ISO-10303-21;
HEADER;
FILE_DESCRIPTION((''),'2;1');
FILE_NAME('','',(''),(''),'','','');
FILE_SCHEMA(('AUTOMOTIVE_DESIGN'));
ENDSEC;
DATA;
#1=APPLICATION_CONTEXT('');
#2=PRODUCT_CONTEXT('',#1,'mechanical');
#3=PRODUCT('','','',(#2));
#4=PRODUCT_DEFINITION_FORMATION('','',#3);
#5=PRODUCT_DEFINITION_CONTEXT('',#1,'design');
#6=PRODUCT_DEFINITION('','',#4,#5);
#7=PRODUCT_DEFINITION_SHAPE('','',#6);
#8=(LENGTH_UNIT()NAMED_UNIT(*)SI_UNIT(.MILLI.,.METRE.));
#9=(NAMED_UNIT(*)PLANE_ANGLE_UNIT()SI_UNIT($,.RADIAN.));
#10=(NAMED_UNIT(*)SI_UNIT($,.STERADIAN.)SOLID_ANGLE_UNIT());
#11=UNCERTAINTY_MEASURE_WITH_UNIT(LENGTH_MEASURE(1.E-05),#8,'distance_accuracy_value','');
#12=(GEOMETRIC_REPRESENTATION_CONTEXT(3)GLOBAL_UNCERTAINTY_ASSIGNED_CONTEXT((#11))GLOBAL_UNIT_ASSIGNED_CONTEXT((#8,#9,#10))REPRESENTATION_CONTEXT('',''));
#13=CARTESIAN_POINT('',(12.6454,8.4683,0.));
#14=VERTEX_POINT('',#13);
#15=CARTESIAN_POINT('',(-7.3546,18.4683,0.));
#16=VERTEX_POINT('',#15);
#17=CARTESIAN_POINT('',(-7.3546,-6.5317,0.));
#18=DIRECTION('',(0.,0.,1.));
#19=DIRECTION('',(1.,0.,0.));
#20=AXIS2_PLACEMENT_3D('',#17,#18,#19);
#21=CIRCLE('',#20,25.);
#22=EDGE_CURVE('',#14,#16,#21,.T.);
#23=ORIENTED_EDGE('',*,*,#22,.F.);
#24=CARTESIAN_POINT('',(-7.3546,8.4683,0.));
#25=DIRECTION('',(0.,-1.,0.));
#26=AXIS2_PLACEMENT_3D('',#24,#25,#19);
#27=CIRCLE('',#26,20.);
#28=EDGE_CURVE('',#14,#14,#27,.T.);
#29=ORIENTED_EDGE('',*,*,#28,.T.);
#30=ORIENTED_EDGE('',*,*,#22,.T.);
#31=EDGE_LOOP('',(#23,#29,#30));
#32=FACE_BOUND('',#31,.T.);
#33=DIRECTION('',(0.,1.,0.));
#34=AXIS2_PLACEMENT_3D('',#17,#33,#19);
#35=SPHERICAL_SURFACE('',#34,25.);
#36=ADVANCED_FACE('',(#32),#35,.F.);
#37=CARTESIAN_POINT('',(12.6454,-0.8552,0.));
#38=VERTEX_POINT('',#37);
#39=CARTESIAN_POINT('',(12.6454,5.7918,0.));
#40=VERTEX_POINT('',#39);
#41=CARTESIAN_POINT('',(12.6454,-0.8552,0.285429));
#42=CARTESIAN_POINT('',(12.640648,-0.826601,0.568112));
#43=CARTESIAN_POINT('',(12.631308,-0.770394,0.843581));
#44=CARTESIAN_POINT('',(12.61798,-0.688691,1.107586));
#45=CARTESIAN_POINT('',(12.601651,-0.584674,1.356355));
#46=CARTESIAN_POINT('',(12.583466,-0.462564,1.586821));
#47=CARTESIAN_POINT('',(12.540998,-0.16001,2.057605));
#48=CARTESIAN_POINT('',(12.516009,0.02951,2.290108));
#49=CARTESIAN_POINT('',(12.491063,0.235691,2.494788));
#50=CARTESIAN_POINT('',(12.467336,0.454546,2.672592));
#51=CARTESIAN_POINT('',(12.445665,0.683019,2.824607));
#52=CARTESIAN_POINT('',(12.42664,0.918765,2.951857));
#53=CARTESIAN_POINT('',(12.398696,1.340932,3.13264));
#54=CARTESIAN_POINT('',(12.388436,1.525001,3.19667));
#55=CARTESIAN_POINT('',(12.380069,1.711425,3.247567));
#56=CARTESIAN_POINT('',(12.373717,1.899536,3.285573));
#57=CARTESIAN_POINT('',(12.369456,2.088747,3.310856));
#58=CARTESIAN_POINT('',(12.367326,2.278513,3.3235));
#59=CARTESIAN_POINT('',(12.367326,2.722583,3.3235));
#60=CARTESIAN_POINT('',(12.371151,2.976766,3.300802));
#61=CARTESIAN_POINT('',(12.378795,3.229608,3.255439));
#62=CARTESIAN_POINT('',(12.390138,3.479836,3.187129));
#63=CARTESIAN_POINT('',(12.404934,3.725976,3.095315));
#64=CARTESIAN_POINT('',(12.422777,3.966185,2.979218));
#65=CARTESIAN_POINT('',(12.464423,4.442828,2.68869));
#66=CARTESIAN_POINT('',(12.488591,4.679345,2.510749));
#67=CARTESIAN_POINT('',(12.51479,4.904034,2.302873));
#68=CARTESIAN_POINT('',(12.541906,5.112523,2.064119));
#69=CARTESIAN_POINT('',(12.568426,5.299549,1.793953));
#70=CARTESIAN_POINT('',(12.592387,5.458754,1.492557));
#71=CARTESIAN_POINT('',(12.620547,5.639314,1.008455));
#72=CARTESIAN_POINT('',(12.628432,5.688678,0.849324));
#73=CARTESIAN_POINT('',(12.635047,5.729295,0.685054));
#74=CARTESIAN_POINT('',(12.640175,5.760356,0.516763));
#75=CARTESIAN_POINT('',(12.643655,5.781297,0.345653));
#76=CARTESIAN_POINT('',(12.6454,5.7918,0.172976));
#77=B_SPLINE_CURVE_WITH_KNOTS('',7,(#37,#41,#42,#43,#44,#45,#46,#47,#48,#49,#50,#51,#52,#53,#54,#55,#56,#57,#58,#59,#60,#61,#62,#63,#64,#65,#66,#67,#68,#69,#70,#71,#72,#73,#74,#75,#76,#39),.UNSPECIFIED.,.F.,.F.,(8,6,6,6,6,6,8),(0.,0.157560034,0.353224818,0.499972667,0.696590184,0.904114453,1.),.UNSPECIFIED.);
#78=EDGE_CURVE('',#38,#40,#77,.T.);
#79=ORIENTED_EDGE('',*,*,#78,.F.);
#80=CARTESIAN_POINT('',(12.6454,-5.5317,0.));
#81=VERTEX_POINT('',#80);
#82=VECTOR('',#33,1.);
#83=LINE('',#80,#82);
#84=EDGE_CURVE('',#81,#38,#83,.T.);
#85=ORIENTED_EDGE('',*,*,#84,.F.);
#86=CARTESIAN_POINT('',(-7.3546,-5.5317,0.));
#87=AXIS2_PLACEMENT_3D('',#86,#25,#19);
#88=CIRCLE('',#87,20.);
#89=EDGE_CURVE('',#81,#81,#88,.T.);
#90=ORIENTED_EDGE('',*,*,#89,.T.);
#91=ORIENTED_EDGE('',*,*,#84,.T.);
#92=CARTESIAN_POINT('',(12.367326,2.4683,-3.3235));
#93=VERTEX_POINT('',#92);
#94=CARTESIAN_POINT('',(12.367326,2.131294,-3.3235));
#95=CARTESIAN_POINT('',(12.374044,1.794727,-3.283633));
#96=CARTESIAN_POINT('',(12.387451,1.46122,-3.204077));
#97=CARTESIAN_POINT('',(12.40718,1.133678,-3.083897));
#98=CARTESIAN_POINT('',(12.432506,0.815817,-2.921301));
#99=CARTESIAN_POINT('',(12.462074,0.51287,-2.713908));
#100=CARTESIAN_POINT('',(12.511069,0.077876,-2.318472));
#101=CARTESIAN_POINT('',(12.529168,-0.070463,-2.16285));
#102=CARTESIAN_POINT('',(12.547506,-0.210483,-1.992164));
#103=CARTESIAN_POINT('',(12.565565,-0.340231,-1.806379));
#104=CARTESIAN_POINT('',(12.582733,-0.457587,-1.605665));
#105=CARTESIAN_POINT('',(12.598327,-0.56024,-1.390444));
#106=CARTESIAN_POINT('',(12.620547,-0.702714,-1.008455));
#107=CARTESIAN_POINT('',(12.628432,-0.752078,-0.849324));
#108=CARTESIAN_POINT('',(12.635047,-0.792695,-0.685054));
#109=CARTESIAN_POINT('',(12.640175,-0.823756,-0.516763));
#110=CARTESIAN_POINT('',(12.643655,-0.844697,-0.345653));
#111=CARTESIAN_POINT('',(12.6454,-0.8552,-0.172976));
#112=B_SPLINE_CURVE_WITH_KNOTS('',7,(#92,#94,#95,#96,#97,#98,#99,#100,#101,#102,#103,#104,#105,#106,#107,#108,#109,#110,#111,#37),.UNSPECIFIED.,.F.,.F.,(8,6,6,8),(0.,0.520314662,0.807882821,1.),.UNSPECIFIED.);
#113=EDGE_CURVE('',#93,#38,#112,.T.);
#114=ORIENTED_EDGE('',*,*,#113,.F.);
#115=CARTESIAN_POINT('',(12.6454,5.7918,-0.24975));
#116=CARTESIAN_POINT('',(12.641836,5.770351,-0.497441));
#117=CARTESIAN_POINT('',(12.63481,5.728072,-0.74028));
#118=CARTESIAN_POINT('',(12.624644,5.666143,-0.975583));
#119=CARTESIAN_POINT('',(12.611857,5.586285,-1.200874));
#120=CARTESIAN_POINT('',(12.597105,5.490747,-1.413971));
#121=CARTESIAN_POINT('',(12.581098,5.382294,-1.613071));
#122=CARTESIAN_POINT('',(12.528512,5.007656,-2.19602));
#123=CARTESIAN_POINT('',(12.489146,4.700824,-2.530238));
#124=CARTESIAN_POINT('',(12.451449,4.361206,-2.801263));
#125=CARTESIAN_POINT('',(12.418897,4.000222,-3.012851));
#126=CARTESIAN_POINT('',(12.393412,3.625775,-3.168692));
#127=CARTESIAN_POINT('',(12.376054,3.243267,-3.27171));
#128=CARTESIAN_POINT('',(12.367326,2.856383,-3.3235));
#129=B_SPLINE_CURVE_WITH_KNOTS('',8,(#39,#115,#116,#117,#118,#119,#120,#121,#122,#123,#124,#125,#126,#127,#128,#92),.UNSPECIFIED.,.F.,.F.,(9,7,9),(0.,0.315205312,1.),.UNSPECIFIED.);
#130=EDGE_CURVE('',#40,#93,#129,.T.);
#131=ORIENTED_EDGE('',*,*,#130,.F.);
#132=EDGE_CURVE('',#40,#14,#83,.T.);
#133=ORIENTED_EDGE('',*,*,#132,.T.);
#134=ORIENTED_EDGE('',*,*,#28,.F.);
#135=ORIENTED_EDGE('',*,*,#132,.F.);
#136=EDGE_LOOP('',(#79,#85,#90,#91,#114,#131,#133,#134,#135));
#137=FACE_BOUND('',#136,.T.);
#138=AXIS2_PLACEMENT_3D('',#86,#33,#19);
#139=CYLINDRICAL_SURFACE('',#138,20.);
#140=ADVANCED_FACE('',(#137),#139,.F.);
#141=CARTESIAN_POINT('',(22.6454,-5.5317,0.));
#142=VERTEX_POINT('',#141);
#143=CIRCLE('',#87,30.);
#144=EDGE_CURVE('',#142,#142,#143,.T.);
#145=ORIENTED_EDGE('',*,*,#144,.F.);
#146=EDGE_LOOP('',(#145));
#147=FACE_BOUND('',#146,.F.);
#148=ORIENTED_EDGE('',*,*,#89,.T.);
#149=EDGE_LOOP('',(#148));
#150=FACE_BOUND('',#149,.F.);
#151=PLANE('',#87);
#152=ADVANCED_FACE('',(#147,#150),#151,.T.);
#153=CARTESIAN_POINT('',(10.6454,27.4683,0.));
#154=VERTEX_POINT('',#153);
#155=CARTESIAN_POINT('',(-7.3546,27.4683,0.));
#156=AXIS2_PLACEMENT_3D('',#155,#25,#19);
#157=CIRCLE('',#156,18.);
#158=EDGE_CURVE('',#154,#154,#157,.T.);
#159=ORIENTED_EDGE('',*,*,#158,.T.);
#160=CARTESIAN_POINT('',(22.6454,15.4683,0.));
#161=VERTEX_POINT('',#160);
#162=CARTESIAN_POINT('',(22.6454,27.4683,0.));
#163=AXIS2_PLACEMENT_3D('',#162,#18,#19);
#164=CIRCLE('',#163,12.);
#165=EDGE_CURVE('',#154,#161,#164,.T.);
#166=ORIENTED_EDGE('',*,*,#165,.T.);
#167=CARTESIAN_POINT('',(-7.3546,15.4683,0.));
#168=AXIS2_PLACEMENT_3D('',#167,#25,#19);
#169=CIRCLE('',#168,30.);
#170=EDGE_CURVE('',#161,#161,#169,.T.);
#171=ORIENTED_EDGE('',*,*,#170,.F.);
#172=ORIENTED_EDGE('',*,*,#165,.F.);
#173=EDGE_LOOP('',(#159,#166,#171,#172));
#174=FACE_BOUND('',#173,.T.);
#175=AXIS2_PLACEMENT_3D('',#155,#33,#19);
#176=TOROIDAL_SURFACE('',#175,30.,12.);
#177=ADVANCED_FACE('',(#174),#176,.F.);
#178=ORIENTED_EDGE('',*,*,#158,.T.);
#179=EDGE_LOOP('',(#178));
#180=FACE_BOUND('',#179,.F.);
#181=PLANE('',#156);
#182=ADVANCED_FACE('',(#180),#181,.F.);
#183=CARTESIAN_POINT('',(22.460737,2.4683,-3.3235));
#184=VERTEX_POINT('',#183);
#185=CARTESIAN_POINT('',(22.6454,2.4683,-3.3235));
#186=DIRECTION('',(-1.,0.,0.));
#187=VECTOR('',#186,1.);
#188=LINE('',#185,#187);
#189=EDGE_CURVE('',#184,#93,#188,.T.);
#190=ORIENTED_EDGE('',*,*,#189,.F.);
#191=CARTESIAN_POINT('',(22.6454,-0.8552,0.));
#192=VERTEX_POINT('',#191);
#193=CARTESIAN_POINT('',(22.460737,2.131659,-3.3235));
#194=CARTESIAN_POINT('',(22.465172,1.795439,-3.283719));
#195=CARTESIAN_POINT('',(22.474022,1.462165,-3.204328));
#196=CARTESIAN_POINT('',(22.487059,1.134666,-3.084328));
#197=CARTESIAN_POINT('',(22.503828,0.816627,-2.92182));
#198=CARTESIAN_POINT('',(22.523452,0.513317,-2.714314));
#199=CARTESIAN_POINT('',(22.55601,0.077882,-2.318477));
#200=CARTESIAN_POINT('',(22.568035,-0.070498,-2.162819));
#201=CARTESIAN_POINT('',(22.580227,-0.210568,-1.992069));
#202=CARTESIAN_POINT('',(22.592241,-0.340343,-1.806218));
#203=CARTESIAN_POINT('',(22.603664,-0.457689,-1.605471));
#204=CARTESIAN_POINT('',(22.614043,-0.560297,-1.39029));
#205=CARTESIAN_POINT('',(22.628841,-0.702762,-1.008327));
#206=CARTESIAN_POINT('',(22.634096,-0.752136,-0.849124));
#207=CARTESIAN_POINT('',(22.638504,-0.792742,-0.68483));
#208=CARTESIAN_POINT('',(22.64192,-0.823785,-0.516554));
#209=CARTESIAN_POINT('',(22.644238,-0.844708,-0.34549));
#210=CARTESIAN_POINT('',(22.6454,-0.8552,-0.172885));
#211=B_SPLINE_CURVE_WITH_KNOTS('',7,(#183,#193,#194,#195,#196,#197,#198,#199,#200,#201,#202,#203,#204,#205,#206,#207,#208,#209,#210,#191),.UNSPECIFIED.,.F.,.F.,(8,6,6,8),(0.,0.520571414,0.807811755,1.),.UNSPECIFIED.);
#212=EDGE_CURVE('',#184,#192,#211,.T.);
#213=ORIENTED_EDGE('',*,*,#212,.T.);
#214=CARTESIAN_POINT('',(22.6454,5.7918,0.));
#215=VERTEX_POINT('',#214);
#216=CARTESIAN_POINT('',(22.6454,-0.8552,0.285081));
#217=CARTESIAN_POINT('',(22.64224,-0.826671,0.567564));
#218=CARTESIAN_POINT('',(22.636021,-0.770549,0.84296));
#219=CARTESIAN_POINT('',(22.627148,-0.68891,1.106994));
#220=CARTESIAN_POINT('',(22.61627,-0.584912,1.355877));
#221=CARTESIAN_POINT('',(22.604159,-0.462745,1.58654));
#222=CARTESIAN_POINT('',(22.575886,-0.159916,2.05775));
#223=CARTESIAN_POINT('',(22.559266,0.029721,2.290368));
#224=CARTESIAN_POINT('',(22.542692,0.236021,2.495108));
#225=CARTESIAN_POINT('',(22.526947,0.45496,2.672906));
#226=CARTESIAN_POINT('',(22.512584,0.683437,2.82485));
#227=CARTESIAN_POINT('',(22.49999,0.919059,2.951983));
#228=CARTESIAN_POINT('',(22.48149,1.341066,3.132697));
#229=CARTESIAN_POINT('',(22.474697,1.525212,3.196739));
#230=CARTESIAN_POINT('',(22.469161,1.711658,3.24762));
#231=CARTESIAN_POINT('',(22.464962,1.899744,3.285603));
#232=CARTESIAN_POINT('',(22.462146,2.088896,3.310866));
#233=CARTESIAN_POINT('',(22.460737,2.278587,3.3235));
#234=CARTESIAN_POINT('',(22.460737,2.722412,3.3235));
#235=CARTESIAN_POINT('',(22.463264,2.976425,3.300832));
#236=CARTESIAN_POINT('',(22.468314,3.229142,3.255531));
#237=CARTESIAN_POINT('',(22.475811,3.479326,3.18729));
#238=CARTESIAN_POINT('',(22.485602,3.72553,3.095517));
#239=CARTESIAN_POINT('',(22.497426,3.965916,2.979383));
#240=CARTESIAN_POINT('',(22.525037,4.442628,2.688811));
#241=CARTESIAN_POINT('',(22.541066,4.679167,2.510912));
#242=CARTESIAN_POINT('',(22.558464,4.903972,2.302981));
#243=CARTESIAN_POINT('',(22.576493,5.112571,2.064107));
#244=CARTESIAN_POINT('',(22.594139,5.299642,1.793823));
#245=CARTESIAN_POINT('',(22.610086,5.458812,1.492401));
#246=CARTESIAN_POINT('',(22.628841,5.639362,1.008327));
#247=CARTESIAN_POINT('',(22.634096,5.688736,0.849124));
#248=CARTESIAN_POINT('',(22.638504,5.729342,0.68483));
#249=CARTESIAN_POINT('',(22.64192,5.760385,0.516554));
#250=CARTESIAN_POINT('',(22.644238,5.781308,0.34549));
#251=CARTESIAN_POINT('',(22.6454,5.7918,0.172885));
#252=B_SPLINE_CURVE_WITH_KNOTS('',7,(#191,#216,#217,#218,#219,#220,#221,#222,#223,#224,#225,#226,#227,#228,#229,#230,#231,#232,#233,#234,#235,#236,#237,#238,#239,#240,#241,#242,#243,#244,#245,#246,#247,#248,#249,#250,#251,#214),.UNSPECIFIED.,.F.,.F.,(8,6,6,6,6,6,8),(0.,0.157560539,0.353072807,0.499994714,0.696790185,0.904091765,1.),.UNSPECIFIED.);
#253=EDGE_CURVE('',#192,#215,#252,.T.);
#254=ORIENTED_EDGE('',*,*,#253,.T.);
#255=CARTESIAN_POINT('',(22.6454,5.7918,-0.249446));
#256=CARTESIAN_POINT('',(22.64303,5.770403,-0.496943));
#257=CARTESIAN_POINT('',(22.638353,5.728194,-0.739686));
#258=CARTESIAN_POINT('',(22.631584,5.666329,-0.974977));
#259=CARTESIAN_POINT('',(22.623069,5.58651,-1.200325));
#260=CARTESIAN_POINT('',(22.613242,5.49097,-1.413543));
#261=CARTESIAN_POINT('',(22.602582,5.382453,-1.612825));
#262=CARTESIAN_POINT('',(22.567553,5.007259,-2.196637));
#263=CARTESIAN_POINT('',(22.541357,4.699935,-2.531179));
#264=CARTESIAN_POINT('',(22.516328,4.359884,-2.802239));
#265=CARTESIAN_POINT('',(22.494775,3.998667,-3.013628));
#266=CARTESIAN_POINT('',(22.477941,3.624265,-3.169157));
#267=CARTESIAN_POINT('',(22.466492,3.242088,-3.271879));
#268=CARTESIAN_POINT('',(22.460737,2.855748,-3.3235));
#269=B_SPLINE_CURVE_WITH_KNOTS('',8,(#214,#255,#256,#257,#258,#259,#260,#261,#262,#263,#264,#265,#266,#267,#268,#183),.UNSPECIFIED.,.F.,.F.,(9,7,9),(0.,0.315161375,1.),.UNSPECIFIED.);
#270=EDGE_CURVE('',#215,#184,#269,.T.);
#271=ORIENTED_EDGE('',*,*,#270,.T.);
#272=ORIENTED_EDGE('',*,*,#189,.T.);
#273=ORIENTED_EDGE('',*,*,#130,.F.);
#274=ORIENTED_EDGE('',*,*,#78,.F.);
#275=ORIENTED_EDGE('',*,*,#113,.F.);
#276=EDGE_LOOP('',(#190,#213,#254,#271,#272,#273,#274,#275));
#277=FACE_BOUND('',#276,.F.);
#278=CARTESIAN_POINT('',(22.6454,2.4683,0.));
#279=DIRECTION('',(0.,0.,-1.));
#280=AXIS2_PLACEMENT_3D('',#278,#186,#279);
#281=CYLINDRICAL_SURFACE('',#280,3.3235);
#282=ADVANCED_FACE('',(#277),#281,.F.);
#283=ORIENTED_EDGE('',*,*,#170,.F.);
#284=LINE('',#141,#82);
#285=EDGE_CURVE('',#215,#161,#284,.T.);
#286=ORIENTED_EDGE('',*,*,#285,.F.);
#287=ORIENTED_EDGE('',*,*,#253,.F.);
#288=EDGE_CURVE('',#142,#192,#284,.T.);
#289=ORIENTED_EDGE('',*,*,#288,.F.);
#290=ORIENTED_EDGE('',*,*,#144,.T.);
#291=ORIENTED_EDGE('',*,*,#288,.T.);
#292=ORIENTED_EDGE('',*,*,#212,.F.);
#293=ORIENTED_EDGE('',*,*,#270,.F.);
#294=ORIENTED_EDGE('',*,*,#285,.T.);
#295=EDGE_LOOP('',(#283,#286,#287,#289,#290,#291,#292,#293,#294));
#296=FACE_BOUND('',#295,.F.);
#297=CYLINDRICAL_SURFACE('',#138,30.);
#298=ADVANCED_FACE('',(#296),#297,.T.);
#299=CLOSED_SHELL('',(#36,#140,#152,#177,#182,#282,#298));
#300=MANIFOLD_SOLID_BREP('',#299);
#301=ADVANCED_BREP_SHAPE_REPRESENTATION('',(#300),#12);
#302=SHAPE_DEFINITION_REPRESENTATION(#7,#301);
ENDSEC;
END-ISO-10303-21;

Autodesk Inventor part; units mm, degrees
ref_plane "XZ Plane" through (0, 0, 0) normal (0, 1, 0) x (-1, 0, 0)
ref_plane "XY Plane" through (0, 0, 0) normal (0, 0, 1) x (1, 0, 0)
sketch "草图1" plane through (0, 0, 0) normal (0, 0, 1) x (1, 0, 0)
  line L0 (-7.3546, -5.5317) -> (12.6454, -5.5317)
  line L1 (12.6454, -5.5317) -> (22.6454, -5.5317)
  line L2 (22.6454, -5.5317) -> (22.6454, 27.4683)
  line L3 (22.6454, 27.4683) -> (-7.3546, 27.4683)
  line L4 (-7.3546, 27.4683) -> (-7.3546, -5.5317)
  line L5 (12.6454, -5.5317) -> (12.6454, 8.4683)
  circle A0 centre (-7.3546, -6.5317) radius 25
  line L6 (-7.3546, -6.5317) -> (-7.3546, -5.5317)
  circle A1 centre (22.6454, 27.4683) radius 12
  point P0 (22.6454, 15.4683)
  point P1 (10.6454, 27.4683)
  point P2 (-7.3546, 18.4683)
  dimension "d6" = 50
  dimension "d0" = 20
  dimension "d1" = 10
  dimension "d2" = 33
  dimension "d3" = 30
  dimension "d4" = 14
  dimension "d7" = 24
revolve "旋转1" add sketch "草图1" angle 360 about axis through (-7.3546, 27.4683, 0) along (0, -1, 0) contours L5 A0 L1 | L4 L3 A1 L2 L1 A0
ref_plane "工作平面1" through (22.6454, 4.9683, 0) normal (1, 0, 0) x (0, 1, 0)
sketch "草图2" plane through (22.6454, 4.9683, 0) normal (1, 0, 0) x (0, 1, 0)
  line L0 (-10.5, 20) -> (-10.5, -20) projected
  line L1 (-10.5, 0) -> (-2.5, 0)
  point P0 (-4.9683, 0)
  dimension "d9" = 8
hole "孔1" at (22.6454, 2.4683, 0) direction (-1, 0, 0) diameter 6.647 depth 22.2 thread size "M8x1.25" designation "M8" class "6H" standard "GB Metric profile"
properties part number "顶垫"
